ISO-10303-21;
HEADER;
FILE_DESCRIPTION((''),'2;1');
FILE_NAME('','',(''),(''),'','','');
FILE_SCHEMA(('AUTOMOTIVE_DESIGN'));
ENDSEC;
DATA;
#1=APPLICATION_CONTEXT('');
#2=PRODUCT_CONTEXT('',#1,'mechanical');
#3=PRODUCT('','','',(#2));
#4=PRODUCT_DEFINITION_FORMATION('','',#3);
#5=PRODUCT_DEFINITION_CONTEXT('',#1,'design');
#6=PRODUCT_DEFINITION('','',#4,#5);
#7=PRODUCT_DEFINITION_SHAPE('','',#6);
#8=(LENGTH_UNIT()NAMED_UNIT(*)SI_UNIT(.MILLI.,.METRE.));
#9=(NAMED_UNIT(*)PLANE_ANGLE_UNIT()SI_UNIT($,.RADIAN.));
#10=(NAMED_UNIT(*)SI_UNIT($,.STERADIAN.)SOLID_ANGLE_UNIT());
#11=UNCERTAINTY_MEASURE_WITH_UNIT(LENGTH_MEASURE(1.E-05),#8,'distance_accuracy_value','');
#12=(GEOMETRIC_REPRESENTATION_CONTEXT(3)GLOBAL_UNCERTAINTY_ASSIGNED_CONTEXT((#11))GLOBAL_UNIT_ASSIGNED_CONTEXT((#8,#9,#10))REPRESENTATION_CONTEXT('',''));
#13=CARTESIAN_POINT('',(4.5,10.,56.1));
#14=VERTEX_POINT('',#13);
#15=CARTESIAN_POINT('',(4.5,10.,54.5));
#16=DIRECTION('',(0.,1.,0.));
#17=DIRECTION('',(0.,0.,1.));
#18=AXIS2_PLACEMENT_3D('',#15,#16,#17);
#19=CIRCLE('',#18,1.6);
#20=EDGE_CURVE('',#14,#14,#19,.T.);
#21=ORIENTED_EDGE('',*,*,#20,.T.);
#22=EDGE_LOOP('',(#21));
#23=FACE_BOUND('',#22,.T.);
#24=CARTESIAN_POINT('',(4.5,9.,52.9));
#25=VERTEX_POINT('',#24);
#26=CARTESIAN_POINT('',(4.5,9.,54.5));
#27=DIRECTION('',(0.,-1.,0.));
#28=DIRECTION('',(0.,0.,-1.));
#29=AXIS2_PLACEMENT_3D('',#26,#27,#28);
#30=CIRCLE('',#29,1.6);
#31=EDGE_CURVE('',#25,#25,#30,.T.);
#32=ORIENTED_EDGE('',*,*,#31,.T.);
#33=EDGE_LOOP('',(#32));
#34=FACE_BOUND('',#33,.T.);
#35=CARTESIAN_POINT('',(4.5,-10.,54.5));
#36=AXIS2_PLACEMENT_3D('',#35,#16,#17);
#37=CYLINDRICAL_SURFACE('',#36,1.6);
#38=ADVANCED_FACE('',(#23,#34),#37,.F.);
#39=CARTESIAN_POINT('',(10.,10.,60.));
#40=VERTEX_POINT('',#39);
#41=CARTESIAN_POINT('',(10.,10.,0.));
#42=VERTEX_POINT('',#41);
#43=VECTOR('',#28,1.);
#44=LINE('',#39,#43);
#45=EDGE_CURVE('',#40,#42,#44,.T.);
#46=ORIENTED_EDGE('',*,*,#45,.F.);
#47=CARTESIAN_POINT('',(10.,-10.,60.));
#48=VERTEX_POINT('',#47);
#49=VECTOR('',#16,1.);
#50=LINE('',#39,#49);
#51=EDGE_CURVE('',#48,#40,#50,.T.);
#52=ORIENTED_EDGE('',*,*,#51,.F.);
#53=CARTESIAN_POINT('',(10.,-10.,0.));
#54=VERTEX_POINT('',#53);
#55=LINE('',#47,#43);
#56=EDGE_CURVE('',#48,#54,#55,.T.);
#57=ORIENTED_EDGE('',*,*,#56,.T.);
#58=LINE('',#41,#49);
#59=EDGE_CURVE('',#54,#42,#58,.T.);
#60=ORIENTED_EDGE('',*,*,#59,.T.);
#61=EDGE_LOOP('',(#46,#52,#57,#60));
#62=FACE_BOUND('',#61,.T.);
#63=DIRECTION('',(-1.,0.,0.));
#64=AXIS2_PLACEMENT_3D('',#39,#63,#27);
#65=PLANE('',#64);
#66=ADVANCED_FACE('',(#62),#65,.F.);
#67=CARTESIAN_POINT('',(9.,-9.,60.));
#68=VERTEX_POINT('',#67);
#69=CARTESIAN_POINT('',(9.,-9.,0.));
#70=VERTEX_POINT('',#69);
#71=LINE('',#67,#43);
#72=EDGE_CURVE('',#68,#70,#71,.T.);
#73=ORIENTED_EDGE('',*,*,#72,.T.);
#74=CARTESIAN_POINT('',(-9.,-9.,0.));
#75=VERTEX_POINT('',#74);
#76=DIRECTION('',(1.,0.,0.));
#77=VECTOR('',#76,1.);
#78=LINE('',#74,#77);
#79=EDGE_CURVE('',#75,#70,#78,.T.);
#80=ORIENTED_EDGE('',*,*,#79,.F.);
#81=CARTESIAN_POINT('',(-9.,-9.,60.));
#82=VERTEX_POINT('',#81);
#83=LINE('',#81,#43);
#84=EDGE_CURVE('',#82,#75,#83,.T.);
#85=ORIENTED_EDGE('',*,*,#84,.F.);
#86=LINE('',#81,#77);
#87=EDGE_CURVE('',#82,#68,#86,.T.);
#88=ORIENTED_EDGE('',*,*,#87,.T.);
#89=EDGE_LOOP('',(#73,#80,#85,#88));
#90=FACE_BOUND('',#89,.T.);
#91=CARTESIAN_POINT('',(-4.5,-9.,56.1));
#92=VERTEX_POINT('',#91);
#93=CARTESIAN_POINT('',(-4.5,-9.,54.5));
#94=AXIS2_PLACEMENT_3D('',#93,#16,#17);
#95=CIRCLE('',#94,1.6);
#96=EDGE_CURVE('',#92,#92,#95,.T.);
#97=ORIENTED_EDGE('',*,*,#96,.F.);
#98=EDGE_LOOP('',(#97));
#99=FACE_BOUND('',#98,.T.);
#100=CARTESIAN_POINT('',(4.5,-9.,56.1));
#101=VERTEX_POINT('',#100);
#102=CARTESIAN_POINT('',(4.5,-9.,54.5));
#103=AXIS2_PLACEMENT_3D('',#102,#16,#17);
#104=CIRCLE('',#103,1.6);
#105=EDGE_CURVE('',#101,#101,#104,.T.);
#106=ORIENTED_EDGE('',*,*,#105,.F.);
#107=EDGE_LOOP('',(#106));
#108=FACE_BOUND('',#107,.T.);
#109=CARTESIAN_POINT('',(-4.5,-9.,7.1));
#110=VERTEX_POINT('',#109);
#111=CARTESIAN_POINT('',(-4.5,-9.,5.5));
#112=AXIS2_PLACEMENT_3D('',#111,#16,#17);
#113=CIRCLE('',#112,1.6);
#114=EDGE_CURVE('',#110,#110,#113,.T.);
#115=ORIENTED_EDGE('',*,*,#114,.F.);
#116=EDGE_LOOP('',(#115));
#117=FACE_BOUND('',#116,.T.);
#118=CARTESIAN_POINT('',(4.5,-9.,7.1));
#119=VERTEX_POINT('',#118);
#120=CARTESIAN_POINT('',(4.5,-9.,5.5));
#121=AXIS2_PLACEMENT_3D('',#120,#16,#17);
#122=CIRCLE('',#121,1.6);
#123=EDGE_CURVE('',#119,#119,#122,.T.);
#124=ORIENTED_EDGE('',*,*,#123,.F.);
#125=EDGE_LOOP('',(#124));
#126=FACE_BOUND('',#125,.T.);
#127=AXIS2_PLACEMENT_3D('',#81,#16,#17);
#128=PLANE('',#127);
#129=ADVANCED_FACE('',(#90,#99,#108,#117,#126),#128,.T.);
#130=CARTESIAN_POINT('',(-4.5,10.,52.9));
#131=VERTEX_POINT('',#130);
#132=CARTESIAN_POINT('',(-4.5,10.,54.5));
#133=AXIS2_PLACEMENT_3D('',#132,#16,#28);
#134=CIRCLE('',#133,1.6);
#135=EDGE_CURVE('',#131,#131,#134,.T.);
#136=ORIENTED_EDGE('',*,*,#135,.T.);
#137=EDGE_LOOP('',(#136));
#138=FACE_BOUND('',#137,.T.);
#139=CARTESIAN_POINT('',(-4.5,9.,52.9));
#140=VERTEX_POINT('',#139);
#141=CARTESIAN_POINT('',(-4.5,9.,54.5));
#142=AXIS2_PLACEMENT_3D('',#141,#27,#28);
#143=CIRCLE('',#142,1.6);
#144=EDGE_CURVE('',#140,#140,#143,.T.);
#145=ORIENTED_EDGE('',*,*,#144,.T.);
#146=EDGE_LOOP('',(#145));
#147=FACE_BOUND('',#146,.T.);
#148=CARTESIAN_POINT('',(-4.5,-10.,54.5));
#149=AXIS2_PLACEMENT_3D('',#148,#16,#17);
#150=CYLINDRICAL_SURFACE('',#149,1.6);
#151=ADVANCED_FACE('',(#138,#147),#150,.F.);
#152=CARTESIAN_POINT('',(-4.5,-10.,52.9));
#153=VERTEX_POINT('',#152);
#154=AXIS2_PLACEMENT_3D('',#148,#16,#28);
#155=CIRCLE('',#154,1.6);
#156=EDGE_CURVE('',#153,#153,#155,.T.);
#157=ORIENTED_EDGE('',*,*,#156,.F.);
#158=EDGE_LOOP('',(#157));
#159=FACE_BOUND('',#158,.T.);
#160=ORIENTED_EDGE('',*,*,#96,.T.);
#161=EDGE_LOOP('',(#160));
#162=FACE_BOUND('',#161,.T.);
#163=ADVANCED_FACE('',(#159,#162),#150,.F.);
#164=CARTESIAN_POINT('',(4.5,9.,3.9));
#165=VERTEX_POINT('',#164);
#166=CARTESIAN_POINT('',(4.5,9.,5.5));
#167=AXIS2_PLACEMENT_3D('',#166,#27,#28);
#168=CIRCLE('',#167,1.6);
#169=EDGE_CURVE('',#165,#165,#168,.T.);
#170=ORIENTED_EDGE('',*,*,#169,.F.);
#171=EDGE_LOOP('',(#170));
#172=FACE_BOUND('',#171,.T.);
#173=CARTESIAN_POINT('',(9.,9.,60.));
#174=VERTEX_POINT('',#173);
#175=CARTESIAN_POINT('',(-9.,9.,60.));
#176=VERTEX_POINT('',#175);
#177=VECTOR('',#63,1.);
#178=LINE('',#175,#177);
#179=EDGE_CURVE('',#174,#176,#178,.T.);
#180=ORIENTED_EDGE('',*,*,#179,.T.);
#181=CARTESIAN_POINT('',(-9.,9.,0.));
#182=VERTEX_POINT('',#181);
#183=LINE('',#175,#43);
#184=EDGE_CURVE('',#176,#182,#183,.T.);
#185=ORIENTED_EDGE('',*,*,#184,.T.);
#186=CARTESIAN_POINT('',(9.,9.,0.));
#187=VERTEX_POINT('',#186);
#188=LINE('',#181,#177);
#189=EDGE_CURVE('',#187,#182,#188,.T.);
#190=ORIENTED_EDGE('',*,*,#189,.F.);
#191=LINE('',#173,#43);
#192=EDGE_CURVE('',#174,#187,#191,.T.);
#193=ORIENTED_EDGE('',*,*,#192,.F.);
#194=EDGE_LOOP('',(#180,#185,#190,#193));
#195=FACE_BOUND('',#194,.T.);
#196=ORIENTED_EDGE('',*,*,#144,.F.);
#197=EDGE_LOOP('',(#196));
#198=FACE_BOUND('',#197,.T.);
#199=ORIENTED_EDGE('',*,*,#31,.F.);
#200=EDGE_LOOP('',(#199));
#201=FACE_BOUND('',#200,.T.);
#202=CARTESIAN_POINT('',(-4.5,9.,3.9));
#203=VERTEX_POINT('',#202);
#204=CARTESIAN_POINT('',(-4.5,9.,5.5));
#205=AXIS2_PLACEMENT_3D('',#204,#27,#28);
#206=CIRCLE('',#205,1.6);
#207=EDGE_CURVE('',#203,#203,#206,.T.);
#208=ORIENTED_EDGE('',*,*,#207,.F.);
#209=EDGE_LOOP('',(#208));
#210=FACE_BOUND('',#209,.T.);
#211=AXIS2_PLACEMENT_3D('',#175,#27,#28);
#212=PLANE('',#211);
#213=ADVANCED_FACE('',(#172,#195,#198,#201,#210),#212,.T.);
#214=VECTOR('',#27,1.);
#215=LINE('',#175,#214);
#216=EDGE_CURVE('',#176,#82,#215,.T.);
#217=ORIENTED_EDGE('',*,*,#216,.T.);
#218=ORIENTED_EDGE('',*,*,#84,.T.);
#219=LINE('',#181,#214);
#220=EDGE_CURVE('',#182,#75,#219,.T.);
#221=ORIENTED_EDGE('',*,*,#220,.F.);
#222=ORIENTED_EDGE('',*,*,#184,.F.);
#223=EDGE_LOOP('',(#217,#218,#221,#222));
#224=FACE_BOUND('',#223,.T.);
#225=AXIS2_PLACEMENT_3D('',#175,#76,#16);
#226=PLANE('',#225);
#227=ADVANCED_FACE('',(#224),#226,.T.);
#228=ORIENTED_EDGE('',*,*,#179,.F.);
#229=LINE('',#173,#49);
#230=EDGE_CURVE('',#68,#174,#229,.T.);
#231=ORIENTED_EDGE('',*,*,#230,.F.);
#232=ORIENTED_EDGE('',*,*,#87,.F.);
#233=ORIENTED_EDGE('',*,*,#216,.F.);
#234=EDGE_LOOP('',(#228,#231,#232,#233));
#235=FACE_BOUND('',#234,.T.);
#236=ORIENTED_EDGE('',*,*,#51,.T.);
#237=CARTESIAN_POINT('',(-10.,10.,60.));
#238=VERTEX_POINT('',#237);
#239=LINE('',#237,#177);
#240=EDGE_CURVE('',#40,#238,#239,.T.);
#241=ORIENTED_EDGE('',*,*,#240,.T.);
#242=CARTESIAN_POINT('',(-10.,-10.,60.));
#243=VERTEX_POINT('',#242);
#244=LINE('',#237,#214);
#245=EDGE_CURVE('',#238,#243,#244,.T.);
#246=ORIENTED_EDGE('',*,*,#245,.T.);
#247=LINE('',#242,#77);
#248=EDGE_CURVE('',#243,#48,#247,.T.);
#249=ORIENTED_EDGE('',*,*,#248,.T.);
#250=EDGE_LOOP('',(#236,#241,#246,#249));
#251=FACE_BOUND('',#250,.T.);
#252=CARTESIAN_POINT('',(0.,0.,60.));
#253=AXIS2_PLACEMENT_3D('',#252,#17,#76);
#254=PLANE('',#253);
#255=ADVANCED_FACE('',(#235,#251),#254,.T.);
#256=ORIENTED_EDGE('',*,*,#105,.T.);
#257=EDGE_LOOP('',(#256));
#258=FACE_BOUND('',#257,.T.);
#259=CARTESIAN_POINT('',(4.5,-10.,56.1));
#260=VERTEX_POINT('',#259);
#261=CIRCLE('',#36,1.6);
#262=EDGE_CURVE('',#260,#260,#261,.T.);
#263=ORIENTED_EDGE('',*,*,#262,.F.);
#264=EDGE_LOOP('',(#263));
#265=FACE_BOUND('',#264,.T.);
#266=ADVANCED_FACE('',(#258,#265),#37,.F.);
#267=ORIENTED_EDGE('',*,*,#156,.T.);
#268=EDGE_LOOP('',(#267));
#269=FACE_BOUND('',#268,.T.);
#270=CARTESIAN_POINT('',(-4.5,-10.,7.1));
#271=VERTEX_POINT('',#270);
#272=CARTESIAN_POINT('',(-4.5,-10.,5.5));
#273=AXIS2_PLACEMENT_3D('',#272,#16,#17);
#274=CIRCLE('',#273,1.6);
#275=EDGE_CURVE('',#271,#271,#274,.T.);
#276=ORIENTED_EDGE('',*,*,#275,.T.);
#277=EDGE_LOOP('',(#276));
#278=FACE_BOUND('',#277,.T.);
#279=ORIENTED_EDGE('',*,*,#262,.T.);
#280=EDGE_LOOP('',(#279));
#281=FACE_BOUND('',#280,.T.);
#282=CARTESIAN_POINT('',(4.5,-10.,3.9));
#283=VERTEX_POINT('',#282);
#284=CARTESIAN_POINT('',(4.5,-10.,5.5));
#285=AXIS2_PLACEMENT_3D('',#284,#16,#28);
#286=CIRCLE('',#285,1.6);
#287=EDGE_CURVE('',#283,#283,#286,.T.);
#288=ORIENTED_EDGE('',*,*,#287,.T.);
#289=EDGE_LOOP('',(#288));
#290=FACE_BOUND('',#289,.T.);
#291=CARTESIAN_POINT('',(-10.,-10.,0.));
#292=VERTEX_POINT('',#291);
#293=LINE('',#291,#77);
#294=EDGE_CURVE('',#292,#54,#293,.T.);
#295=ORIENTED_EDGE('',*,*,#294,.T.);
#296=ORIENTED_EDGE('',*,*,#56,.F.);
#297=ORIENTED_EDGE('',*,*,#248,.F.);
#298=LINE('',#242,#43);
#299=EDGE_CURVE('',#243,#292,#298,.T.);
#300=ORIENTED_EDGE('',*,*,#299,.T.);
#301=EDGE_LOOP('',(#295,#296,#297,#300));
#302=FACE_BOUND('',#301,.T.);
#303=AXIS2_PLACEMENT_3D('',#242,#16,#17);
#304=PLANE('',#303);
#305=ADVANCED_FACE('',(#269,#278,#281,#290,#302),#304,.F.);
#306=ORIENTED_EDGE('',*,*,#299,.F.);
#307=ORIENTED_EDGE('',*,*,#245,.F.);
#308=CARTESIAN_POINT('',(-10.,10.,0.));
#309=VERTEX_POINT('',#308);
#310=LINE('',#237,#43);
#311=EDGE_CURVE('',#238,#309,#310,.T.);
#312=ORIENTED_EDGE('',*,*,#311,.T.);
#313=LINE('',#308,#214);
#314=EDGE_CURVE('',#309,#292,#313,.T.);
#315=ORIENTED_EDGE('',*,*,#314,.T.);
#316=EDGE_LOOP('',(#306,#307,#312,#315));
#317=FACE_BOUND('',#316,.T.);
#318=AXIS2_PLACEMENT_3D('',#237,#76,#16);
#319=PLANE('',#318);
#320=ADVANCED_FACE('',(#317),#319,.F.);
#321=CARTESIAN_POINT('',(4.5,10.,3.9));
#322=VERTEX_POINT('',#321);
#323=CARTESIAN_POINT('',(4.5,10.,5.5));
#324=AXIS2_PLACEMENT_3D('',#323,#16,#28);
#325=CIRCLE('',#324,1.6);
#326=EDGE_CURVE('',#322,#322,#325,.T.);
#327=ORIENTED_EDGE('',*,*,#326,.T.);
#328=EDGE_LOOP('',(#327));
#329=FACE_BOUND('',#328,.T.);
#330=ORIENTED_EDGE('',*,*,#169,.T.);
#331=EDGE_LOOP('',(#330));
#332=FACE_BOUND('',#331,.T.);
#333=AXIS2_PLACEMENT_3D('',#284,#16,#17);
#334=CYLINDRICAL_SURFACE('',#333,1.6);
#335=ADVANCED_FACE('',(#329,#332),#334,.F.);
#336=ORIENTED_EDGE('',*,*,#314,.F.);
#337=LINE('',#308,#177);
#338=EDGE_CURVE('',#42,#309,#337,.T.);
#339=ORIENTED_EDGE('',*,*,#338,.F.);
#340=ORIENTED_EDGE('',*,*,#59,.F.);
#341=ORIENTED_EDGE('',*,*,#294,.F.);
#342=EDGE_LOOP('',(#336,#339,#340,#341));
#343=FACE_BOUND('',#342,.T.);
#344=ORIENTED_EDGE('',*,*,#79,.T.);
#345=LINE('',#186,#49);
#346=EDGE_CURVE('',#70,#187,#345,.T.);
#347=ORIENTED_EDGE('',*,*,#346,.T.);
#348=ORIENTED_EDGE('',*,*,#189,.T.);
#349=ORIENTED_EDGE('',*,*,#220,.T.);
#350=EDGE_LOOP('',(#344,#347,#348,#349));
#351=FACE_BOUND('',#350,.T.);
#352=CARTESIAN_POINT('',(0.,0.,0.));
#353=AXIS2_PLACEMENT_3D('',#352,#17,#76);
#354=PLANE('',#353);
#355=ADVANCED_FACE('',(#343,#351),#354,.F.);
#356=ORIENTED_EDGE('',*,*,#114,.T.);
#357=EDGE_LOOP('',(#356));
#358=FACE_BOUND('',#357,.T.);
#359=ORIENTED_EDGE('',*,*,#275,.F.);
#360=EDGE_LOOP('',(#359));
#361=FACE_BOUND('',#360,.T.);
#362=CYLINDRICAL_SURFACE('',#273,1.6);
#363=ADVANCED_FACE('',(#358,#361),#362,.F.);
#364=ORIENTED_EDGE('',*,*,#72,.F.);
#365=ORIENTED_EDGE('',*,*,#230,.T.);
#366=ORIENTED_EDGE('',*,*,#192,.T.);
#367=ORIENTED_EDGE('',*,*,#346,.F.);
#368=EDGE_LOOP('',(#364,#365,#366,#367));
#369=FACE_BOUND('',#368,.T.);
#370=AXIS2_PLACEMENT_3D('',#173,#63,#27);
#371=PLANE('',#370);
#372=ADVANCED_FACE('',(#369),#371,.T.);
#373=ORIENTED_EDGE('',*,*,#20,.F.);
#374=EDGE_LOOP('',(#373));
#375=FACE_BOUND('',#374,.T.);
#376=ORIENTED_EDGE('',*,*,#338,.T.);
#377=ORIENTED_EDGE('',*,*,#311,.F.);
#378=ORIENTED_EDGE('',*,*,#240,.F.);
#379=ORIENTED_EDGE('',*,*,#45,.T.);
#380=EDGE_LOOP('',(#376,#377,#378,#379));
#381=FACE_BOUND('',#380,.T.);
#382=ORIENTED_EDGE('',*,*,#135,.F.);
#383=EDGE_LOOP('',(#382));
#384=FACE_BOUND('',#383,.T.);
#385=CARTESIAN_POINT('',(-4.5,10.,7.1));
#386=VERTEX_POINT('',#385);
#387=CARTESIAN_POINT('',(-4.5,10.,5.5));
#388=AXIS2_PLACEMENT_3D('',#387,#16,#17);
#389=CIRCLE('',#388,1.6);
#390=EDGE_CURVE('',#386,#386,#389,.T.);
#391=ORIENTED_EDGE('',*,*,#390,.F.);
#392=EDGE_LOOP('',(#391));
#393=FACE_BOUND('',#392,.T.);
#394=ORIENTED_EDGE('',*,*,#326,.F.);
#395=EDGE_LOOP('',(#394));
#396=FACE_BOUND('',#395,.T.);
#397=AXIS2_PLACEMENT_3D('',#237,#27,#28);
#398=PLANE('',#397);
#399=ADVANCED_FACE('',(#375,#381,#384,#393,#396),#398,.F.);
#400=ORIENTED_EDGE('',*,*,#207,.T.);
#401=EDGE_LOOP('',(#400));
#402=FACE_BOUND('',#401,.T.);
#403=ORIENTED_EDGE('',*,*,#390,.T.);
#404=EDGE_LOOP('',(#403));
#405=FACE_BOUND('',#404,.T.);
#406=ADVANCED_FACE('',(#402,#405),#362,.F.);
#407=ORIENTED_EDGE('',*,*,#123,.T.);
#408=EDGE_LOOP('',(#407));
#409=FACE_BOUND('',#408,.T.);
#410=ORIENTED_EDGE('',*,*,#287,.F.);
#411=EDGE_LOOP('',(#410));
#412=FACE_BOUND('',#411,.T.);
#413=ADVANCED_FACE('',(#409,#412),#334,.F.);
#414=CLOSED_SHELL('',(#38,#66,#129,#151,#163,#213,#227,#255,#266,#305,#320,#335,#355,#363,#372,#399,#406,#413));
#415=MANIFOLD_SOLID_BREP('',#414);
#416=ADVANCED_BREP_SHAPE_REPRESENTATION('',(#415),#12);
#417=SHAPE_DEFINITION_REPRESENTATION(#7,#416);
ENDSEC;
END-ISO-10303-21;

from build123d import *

# Parameters (mm, degrees)
SKETCH_1_W          = 20
SKETCH_1_H          = 20
SKETCH_1_W_2        = 18
SKETCH_1_H_2        = 18
EXTRUDE_1_DEPTH     = 60
SKETCH_2_R          = 1.6
CUT_EXTRUDE_1_DEPTH = 65.031242374


with BuildPart() as part:
    # 草图1 → 凸台-拉伸1 (new body)
    with BuildSketch(Plane.XY):
        Rectangle(SKETCH_1_W, SKETCH_1_H)
        Rectangle(SKETCH_1_W_2, SKETCH_1_H_2, mode=Mode.SUBTRACT)
    extrude(amount=EXTRUDE_1_DEPTH)

    # 草图2 → 切除-拉伸1 (cut, through all)
    with BuildSketch(Plane(origin=(0, 10, 0), x_dir=(1, 0, 0), z_dir=(0, 1, 0))):
        with Locations(Location((-4.5, -5.5, 0), (0, 0, 270))):
            Circle(SKETCH_2_R)
        with Locations(Location((4.5, -5.5, 0), (0, 0, 270))):
            Circle(SKETCH_2_R)
        with Locations(Location((4.5, -54.5, 0), (0, 0, 270))):
            Circle(SKETCH_2_R)
        with Locations(Location((-4.5, -54.5, 0), (0, 0, 270))):
            Circle(SKETCH_2_R)
    extrude(amount=-CUT_EXTRUDE_1_DEPTH, mode=Mode.SUBTRACT)


solid = part.part
